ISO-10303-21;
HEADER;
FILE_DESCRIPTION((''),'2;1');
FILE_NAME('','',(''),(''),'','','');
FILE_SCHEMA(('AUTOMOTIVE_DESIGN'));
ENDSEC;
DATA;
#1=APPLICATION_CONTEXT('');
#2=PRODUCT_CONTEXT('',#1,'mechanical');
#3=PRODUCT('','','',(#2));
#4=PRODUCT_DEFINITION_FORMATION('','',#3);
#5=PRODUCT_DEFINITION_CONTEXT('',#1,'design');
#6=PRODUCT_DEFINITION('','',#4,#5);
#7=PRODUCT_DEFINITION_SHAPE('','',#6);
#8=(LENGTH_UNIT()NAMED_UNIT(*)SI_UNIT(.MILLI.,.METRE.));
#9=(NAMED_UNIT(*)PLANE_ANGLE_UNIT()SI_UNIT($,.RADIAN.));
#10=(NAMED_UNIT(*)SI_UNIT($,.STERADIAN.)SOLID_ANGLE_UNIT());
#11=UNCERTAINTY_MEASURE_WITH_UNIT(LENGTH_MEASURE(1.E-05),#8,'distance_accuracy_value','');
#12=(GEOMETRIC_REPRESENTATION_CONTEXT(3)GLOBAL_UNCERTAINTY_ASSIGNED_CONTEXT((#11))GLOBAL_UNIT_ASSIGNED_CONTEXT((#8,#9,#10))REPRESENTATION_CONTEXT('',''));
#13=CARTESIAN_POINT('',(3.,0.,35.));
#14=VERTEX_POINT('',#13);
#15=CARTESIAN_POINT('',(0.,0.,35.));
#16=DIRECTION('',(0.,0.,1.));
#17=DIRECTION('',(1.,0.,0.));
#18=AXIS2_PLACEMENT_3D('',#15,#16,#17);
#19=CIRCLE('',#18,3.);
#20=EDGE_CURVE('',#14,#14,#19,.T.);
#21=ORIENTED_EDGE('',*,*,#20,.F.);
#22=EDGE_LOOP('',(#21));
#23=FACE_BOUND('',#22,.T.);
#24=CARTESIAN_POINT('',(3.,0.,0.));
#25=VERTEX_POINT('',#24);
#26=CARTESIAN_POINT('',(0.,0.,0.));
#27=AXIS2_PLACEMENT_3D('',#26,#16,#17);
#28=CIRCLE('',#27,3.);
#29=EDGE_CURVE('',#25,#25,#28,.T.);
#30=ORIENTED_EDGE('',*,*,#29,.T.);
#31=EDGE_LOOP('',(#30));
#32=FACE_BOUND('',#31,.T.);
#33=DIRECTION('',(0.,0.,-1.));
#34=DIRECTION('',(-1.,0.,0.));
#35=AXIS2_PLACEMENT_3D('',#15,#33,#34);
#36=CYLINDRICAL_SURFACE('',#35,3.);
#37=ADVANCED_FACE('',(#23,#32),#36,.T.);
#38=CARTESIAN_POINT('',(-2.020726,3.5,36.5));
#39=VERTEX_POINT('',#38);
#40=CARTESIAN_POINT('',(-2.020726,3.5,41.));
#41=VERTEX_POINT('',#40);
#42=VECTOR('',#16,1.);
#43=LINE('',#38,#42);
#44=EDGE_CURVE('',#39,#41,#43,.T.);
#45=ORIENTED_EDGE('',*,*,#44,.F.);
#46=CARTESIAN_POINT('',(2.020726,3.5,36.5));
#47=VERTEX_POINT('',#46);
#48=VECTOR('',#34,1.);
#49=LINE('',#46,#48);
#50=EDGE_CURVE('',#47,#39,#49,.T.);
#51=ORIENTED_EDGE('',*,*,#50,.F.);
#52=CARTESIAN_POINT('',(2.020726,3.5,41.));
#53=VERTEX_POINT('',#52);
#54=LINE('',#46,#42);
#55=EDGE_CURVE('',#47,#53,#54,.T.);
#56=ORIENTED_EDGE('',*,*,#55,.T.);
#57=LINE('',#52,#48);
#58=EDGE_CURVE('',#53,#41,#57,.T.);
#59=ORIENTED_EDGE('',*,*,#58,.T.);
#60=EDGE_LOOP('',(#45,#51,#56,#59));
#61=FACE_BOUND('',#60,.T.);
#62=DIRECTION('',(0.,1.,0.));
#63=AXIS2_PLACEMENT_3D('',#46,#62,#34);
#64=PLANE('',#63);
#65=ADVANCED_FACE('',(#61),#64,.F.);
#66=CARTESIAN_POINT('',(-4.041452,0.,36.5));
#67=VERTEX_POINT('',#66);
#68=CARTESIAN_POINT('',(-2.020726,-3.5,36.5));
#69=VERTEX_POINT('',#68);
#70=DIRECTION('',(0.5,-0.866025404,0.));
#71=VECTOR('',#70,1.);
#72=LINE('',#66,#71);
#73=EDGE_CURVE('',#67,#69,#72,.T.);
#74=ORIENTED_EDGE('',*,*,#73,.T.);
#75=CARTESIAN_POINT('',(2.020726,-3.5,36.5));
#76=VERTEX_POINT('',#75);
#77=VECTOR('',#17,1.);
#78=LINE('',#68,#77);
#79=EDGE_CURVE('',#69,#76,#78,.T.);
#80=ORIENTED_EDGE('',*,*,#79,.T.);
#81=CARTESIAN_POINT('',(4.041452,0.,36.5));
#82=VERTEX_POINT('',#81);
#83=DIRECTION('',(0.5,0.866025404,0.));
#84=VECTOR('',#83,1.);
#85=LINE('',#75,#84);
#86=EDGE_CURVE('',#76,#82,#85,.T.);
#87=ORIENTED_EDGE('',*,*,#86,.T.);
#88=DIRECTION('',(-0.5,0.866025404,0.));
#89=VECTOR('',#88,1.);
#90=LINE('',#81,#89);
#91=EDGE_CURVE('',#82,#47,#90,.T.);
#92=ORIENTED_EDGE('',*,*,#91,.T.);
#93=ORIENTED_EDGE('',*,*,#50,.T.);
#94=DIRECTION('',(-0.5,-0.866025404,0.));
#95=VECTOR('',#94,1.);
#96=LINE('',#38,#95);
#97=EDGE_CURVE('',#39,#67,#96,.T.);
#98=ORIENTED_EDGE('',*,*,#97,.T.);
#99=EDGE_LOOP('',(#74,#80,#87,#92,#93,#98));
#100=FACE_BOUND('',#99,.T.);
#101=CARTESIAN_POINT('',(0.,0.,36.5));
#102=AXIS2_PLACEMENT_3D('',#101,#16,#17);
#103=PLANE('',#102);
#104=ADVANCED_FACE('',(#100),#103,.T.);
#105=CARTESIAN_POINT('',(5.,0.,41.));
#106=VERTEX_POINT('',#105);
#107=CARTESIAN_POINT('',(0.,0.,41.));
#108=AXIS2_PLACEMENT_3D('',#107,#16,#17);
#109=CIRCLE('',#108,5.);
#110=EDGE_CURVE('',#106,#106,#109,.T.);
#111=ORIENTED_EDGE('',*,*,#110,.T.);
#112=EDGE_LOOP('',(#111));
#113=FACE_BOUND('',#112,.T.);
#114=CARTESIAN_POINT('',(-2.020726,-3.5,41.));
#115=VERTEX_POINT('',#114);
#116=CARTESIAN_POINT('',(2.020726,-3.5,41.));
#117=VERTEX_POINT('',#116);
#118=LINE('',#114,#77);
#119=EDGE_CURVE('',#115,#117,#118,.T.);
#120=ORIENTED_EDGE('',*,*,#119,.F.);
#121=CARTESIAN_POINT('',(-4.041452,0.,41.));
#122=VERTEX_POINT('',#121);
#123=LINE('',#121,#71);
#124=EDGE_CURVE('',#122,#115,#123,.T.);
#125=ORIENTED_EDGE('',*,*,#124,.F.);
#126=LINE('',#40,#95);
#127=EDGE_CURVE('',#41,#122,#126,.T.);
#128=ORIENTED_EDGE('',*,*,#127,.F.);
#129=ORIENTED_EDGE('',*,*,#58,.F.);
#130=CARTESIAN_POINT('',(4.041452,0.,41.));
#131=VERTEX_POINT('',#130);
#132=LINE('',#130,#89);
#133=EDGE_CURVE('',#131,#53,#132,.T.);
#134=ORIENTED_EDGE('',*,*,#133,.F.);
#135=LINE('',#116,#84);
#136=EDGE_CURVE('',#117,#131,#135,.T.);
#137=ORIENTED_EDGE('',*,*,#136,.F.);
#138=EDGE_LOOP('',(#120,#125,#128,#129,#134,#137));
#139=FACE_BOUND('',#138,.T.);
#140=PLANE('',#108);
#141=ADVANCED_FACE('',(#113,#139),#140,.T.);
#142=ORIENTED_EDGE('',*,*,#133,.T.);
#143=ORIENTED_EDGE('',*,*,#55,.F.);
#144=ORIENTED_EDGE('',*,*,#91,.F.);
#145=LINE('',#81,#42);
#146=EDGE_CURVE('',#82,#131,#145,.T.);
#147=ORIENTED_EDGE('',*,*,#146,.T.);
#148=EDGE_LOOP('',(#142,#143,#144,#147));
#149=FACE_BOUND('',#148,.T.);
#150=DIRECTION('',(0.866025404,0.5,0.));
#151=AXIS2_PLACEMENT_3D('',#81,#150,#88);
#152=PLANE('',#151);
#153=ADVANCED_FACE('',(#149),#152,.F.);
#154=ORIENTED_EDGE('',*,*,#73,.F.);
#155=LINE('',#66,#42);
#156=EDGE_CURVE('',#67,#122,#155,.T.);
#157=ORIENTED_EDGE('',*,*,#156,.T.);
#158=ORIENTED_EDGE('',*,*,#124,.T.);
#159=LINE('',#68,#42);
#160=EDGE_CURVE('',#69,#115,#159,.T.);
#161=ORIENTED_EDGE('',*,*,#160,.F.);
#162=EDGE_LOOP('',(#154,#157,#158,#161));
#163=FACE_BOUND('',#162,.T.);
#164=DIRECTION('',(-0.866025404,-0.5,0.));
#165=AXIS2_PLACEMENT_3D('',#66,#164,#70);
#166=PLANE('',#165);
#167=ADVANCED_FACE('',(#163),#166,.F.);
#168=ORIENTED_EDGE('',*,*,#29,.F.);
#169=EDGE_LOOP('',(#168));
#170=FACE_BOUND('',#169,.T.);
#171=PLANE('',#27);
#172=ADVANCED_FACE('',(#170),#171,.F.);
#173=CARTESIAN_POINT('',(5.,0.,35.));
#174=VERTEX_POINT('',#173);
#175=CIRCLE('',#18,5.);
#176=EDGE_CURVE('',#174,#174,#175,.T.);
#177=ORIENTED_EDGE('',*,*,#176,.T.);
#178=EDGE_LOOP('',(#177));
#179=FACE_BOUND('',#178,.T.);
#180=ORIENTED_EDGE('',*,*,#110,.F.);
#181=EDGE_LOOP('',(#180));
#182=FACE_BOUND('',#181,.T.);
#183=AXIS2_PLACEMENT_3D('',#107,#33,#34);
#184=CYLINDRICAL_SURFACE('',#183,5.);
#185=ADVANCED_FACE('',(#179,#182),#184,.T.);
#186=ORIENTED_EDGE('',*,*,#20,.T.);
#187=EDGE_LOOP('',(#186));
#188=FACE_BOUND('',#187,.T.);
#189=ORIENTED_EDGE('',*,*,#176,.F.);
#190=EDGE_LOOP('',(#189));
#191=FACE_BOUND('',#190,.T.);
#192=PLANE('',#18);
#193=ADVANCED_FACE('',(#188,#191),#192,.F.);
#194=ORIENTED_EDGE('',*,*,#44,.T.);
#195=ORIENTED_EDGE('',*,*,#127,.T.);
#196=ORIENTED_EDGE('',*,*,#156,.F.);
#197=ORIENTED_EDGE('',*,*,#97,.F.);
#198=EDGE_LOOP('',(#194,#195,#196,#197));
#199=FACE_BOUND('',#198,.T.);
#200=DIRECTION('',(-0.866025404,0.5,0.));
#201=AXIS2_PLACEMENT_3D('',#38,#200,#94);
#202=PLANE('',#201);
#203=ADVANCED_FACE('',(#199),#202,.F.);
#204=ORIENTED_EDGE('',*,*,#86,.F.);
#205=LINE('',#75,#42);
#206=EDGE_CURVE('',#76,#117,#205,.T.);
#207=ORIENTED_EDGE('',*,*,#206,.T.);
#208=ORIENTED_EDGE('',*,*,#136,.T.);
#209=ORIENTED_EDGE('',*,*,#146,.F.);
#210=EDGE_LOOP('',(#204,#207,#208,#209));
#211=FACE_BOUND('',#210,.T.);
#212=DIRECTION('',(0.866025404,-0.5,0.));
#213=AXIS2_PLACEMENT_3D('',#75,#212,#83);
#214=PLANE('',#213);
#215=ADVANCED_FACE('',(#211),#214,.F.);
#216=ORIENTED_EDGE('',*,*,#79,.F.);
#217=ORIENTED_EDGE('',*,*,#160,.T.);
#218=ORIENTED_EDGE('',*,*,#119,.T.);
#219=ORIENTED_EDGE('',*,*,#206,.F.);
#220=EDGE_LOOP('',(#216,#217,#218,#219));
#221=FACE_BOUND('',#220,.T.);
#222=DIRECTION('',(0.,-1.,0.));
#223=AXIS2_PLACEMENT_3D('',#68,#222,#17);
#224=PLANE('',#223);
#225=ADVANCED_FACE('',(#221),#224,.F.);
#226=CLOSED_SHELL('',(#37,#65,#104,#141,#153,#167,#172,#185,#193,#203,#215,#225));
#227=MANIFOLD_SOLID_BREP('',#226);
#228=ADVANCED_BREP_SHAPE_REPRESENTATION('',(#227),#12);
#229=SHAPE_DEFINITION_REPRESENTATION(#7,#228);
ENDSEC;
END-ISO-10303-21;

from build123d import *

# Parameters (mm, degrees)
ESQUISSE1_R             = 3
BOSS_EXTRU_1_DEPTH      = 35
ESQUISSE2_R             = 5
BOSS_EXTRU_2_DEPTH      = 6
ENL_V_MAT_EXTRU_1_DEPTH = 4.5


with BuildPart() as part:
    # Esquisse1 → Boss.-Extru.1 (new body)
    with BuildSketch(Plane.XY):
        Circle(ESQUISSE1_R)
    extrude(amount=BOSS_EXTRU_1_DEPTH)

    # Esquisse2 → Boss.-Extru.2 (add)
    with BuildSketch(Plane.XY.offset(35)):
        Circle(ESQUISSE2_R)
    extrude(amount=BOSS_EXTRU_2_DEPTH)

    # Esquisse3 → Enlèv. mat.-Extru.1 (cut)
    with BuildSketch(Plane.XY.offset(41)):
        Polygon((4.041451884, 0), (2.020725942, 3.5), (-2.020725942, 3.5), (-4.041451884, 0), (-2.020725942, -3.5), (2.020725942, -3.5), align=None)
    extrude(amount=-ENL_V_MAT_EXTRU_1_DEPTH, mode=Mode.SUBTRACT)


solid = part.part
